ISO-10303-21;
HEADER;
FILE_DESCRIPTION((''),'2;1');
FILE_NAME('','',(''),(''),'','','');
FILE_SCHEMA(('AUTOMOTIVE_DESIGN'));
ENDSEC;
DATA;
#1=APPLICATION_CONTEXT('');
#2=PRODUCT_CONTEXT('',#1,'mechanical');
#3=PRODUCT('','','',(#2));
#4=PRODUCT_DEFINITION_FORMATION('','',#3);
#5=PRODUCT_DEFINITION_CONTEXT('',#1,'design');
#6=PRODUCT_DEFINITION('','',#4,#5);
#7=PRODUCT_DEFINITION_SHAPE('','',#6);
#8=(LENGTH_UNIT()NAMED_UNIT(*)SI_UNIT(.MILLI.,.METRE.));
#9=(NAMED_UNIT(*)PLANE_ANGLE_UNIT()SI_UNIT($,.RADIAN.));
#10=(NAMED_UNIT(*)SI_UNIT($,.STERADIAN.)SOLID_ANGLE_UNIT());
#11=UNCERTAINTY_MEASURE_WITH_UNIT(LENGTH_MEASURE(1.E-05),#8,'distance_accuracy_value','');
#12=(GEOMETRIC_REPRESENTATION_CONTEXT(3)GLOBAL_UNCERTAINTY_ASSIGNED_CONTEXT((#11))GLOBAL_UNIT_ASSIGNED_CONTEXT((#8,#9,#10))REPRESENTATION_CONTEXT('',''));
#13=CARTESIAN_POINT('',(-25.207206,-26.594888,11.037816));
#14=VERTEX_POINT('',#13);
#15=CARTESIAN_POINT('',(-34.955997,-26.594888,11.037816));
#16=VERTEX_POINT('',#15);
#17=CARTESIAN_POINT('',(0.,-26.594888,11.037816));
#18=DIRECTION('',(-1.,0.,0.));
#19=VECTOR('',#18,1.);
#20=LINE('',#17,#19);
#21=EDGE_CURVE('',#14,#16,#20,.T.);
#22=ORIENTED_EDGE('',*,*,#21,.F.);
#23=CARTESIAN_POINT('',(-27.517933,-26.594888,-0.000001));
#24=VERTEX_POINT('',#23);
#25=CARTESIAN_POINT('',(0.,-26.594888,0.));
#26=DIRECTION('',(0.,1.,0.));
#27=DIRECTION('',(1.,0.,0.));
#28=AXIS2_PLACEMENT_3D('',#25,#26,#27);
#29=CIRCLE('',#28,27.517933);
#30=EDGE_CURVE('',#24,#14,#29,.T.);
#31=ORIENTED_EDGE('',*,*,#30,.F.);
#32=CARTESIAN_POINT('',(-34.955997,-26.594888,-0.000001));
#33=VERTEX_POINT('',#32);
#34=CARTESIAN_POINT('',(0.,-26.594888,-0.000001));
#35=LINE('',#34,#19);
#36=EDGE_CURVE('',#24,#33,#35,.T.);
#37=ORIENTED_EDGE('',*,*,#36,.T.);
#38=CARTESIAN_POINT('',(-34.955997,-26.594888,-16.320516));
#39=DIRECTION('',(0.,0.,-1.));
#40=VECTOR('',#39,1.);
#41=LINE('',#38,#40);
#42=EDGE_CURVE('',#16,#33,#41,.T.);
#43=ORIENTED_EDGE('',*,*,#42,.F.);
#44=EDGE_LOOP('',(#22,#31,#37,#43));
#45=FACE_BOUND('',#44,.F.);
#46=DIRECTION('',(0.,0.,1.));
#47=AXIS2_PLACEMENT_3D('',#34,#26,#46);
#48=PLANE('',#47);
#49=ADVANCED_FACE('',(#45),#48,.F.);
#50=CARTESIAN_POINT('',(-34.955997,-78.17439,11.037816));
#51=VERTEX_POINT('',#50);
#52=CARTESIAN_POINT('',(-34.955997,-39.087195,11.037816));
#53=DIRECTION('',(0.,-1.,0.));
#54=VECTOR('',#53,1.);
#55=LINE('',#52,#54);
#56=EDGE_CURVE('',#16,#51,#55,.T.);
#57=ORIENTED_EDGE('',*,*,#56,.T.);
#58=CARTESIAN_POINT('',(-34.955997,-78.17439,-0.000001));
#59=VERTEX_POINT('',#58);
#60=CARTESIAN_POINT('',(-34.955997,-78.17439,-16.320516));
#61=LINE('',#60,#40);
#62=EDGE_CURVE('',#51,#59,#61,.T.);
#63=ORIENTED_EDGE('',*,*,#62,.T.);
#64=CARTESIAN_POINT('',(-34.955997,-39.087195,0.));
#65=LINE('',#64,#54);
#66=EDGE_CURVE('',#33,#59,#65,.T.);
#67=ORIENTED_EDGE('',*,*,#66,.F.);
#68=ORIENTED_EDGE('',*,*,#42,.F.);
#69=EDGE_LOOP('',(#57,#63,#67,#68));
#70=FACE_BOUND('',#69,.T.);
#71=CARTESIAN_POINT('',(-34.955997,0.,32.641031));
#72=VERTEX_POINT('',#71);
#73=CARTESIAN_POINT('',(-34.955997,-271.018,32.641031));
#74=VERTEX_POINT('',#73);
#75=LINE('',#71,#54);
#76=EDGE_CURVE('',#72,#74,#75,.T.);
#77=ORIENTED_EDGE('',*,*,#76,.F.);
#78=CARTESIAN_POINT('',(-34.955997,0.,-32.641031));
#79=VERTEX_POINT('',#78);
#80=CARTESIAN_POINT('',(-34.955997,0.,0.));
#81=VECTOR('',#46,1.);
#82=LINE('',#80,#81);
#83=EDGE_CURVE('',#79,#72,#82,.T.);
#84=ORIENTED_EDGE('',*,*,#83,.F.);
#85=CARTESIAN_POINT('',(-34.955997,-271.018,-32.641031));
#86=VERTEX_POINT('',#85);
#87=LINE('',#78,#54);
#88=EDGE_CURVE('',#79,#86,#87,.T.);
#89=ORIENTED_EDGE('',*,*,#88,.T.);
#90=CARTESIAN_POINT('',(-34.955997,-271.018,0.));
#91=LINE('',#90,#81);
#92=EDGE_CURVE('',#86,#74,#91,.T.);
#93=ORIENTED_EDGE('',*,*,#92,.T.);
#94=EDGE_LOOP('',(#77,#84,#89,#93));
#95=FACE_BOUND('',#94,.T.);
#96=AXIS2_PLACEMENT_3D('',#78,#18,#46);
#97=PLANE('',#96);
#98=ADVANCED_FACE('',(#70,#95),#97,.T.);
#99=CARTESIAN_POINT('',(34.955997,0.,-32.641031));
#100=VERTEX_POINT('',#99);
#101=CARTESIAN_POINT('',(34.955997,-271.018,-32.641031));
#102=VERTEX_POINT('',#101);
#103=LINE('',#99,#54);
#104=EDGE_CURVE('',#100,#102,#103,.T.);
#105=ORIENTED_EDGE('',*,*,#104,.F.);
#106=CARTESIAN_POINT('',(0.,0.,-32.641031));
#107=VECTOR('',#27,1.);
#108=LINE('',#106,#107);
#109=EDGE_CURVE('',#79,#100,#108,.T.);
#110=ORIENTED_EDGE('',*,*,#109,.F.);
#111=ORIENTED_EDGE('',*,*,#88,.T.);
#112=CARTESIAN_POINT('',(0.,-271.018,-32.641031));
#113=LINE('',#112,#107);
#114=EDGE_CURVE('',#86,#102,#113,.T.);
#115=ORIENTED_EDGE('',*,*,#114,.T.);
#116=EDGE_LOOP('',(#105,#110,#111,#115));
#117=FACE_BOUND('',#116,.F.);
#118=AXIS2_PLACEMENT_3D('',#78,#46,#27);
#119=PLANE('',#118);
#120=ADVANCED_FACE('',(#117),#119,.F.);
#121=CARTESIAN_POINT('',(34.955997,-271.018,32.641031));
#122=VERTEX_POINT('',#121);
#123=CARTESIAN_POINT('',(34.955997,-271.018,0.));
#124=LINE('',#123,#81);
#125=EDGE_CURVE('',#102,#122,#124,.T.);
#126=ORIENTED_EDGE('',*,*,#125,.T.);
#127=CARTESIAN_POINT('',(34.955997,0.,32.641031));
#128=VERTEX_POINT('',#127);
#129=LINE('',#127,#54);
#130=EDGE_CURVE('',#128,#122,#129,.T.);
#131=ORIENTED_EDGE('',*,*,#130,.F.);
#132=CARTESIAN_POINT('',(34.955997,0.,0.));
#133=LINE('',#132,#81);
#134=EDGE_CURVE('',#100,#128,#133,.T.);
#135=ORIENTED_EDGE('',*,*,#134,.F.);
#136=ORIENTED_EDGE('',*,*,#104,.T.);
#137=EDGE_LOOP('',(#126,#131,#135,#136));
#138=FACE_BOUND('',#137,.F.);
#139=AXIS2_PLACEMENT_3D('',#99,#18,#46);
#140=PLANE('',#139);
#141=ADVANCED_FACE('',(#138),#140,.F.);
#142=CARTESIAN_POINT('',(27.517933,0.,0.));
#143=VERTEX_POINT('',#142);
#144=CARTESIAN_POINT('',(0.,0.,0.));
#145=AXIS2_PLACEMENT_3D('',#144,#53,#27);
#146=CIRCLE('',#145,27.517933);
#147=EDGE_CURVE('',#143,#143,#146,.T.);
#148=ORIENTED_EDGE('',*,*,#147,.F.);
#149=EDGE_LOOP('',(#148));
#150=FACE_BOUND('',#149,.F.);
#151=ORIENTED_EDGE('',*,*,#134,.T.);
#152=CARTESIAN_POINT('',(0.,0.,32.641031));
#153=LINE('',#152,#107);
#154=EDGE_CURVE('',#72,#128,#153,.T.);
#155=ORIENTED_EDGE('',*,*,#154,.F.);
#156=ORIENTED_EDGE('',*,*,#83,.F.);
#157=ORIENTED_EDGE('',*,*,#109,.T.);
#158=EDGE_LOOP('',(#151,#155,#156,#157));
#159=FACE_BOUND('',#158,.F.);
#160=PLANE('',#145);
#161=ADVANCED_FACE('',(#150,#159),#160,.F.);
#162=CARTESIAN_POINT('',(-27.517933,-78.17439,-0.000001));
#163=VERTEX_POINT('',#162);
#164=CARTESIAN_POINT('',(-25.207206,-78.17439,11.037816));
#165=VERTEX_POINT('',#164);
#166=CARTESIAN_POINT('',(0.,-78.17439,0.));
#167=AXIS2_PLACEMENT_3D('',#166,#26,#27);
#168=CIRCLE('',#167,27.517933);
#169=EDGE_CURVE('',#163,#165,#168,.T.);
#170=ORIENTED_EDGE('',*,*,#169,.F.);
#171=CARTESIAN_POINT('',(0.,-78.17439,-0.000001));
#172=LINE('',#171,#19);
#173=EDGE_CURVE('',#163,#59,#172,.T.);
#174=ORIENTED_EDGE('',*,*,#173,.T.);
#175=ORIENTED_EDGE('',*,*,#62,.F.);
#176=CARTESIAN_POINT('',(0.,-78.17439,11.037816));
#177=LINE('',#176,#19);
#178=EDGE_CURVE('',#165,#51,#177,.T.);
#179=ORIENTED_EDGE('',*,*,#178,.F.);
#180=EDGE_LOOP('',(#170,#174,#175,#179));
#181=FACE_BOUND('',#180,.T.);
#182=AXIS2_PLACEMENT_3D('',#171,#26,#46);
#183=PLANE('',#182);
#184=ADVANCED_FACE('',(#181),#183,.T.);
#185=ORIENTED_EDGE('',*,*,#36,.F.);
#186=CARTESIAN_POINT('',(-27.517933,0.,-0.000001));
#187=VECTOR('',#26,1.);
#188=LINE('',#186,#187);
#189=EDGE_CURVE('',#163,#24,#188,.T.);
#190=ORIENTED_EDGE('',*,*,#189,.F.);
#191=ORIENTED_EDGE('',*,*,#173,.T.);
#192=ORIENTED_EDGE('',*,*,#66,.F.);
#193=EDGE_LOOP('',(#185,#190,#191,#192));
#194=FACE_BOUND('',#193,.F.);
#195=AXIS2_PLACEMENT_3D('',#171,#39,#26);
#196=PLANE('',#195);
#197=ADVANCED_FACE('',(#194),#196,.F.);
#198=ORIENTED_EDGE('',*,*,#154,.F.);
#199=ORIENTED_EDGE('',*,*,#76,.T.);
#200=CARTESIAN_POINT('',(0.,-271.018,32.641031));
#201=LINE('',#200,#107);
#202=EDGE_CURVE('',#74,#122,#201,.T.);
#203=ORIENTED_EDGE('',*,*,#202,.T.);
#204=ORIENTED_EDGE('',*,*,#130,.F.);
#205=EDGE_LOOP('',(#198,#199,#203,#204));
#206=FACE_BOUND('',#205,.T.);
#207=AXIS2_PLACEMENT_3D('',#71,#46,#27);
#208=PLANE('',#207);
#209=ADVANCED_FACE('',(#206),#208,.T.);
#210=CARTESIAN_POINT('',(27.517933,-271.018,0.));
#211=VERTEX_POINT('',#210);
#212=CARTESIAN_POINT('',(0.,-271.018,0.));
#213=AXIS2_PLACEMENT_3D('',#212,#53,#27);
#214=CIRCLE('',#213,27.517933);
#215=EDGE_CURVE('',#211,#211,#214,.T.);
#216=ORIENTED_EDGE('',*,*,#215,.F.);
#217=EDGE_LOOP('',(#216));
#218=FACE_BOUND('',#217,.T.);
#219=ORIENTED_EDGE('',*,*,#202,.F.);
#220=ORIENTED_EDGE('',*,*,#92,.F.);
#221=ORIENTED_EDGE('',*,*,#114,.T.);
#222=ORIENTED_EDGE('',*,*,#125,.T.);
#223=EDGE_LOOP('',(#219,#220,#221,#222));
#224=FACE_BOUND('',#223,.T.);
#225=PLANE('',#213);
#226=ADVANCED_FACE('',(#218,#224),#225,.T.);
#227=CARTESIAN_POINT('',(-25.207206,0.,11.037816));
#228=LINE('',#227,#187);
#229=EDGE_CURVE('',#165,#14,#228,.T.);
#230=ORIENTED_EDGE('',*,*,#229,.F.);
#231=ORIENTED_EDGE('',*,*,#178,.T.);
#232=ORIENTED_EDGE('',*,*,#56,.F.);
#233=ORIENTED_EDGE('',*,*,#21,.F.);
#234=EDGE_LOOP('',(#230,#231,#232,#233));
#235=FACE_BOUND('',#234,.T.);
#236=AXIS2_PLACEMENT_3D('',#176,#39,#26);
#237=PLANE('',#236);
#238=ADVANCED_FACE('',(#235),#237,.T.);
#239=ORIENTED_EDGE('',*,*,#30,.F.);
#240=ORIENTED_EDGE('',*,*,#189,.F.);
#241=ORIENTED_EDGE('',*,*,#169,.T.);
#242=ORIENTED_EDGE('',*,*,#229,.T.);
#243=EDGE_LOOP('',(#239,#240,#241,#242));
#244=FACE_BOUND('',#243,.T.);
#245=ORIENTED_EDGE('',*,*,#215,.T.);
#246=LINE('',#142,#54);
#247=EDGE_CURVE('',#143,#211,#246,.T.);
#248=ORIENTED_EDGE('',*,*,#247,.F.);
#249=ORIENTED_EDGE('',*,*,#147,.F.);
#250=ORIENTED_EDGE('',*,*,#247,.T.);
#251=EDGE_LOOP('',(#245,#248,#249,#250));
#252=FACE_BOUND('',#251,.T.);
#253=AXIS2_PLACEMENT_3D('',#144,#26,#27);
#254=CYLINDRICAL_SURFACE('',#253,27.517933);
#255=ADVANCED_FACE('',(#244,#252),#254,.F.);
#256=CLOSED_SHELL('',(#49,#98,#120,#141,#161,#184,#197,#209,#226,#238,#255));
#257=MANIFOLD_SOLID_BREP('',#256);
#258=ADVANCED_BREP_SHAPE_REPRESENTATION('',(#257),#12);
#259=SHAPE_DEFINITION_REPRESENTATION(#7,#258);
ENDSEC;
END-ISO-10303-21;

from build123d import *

# Parameters (mm, degrees)
F0_W     = 69.911994
F0_H     = 65.282062
F0_R     = 27.517933
F1_DEPTH = 271.018
F2_W     = 51.579502
F2_H     = 11.037817
F3_DEPTH = 68.326


with BuildPart() as f1:
    # F0 (on Front) → F1 (new body)
    with BuildSketch(Plane.XZ):
        Rectangle(F0_W, F0_H)
        Circle(F0_R, mode=Mode.SUBTRACT)
    extrude(amount=F1_DEPTH)

    # F2 (on Right) → F3 (cut)
    with BuildSketch(Plane.YZ):
        with Locations((-52.384639, 5.518908)):
            Rectangle(F2_W, F2_H)
    extrude(amount=-F3_DEPTH, mode=Mode.SUBTRACT)


solid = f1.part
